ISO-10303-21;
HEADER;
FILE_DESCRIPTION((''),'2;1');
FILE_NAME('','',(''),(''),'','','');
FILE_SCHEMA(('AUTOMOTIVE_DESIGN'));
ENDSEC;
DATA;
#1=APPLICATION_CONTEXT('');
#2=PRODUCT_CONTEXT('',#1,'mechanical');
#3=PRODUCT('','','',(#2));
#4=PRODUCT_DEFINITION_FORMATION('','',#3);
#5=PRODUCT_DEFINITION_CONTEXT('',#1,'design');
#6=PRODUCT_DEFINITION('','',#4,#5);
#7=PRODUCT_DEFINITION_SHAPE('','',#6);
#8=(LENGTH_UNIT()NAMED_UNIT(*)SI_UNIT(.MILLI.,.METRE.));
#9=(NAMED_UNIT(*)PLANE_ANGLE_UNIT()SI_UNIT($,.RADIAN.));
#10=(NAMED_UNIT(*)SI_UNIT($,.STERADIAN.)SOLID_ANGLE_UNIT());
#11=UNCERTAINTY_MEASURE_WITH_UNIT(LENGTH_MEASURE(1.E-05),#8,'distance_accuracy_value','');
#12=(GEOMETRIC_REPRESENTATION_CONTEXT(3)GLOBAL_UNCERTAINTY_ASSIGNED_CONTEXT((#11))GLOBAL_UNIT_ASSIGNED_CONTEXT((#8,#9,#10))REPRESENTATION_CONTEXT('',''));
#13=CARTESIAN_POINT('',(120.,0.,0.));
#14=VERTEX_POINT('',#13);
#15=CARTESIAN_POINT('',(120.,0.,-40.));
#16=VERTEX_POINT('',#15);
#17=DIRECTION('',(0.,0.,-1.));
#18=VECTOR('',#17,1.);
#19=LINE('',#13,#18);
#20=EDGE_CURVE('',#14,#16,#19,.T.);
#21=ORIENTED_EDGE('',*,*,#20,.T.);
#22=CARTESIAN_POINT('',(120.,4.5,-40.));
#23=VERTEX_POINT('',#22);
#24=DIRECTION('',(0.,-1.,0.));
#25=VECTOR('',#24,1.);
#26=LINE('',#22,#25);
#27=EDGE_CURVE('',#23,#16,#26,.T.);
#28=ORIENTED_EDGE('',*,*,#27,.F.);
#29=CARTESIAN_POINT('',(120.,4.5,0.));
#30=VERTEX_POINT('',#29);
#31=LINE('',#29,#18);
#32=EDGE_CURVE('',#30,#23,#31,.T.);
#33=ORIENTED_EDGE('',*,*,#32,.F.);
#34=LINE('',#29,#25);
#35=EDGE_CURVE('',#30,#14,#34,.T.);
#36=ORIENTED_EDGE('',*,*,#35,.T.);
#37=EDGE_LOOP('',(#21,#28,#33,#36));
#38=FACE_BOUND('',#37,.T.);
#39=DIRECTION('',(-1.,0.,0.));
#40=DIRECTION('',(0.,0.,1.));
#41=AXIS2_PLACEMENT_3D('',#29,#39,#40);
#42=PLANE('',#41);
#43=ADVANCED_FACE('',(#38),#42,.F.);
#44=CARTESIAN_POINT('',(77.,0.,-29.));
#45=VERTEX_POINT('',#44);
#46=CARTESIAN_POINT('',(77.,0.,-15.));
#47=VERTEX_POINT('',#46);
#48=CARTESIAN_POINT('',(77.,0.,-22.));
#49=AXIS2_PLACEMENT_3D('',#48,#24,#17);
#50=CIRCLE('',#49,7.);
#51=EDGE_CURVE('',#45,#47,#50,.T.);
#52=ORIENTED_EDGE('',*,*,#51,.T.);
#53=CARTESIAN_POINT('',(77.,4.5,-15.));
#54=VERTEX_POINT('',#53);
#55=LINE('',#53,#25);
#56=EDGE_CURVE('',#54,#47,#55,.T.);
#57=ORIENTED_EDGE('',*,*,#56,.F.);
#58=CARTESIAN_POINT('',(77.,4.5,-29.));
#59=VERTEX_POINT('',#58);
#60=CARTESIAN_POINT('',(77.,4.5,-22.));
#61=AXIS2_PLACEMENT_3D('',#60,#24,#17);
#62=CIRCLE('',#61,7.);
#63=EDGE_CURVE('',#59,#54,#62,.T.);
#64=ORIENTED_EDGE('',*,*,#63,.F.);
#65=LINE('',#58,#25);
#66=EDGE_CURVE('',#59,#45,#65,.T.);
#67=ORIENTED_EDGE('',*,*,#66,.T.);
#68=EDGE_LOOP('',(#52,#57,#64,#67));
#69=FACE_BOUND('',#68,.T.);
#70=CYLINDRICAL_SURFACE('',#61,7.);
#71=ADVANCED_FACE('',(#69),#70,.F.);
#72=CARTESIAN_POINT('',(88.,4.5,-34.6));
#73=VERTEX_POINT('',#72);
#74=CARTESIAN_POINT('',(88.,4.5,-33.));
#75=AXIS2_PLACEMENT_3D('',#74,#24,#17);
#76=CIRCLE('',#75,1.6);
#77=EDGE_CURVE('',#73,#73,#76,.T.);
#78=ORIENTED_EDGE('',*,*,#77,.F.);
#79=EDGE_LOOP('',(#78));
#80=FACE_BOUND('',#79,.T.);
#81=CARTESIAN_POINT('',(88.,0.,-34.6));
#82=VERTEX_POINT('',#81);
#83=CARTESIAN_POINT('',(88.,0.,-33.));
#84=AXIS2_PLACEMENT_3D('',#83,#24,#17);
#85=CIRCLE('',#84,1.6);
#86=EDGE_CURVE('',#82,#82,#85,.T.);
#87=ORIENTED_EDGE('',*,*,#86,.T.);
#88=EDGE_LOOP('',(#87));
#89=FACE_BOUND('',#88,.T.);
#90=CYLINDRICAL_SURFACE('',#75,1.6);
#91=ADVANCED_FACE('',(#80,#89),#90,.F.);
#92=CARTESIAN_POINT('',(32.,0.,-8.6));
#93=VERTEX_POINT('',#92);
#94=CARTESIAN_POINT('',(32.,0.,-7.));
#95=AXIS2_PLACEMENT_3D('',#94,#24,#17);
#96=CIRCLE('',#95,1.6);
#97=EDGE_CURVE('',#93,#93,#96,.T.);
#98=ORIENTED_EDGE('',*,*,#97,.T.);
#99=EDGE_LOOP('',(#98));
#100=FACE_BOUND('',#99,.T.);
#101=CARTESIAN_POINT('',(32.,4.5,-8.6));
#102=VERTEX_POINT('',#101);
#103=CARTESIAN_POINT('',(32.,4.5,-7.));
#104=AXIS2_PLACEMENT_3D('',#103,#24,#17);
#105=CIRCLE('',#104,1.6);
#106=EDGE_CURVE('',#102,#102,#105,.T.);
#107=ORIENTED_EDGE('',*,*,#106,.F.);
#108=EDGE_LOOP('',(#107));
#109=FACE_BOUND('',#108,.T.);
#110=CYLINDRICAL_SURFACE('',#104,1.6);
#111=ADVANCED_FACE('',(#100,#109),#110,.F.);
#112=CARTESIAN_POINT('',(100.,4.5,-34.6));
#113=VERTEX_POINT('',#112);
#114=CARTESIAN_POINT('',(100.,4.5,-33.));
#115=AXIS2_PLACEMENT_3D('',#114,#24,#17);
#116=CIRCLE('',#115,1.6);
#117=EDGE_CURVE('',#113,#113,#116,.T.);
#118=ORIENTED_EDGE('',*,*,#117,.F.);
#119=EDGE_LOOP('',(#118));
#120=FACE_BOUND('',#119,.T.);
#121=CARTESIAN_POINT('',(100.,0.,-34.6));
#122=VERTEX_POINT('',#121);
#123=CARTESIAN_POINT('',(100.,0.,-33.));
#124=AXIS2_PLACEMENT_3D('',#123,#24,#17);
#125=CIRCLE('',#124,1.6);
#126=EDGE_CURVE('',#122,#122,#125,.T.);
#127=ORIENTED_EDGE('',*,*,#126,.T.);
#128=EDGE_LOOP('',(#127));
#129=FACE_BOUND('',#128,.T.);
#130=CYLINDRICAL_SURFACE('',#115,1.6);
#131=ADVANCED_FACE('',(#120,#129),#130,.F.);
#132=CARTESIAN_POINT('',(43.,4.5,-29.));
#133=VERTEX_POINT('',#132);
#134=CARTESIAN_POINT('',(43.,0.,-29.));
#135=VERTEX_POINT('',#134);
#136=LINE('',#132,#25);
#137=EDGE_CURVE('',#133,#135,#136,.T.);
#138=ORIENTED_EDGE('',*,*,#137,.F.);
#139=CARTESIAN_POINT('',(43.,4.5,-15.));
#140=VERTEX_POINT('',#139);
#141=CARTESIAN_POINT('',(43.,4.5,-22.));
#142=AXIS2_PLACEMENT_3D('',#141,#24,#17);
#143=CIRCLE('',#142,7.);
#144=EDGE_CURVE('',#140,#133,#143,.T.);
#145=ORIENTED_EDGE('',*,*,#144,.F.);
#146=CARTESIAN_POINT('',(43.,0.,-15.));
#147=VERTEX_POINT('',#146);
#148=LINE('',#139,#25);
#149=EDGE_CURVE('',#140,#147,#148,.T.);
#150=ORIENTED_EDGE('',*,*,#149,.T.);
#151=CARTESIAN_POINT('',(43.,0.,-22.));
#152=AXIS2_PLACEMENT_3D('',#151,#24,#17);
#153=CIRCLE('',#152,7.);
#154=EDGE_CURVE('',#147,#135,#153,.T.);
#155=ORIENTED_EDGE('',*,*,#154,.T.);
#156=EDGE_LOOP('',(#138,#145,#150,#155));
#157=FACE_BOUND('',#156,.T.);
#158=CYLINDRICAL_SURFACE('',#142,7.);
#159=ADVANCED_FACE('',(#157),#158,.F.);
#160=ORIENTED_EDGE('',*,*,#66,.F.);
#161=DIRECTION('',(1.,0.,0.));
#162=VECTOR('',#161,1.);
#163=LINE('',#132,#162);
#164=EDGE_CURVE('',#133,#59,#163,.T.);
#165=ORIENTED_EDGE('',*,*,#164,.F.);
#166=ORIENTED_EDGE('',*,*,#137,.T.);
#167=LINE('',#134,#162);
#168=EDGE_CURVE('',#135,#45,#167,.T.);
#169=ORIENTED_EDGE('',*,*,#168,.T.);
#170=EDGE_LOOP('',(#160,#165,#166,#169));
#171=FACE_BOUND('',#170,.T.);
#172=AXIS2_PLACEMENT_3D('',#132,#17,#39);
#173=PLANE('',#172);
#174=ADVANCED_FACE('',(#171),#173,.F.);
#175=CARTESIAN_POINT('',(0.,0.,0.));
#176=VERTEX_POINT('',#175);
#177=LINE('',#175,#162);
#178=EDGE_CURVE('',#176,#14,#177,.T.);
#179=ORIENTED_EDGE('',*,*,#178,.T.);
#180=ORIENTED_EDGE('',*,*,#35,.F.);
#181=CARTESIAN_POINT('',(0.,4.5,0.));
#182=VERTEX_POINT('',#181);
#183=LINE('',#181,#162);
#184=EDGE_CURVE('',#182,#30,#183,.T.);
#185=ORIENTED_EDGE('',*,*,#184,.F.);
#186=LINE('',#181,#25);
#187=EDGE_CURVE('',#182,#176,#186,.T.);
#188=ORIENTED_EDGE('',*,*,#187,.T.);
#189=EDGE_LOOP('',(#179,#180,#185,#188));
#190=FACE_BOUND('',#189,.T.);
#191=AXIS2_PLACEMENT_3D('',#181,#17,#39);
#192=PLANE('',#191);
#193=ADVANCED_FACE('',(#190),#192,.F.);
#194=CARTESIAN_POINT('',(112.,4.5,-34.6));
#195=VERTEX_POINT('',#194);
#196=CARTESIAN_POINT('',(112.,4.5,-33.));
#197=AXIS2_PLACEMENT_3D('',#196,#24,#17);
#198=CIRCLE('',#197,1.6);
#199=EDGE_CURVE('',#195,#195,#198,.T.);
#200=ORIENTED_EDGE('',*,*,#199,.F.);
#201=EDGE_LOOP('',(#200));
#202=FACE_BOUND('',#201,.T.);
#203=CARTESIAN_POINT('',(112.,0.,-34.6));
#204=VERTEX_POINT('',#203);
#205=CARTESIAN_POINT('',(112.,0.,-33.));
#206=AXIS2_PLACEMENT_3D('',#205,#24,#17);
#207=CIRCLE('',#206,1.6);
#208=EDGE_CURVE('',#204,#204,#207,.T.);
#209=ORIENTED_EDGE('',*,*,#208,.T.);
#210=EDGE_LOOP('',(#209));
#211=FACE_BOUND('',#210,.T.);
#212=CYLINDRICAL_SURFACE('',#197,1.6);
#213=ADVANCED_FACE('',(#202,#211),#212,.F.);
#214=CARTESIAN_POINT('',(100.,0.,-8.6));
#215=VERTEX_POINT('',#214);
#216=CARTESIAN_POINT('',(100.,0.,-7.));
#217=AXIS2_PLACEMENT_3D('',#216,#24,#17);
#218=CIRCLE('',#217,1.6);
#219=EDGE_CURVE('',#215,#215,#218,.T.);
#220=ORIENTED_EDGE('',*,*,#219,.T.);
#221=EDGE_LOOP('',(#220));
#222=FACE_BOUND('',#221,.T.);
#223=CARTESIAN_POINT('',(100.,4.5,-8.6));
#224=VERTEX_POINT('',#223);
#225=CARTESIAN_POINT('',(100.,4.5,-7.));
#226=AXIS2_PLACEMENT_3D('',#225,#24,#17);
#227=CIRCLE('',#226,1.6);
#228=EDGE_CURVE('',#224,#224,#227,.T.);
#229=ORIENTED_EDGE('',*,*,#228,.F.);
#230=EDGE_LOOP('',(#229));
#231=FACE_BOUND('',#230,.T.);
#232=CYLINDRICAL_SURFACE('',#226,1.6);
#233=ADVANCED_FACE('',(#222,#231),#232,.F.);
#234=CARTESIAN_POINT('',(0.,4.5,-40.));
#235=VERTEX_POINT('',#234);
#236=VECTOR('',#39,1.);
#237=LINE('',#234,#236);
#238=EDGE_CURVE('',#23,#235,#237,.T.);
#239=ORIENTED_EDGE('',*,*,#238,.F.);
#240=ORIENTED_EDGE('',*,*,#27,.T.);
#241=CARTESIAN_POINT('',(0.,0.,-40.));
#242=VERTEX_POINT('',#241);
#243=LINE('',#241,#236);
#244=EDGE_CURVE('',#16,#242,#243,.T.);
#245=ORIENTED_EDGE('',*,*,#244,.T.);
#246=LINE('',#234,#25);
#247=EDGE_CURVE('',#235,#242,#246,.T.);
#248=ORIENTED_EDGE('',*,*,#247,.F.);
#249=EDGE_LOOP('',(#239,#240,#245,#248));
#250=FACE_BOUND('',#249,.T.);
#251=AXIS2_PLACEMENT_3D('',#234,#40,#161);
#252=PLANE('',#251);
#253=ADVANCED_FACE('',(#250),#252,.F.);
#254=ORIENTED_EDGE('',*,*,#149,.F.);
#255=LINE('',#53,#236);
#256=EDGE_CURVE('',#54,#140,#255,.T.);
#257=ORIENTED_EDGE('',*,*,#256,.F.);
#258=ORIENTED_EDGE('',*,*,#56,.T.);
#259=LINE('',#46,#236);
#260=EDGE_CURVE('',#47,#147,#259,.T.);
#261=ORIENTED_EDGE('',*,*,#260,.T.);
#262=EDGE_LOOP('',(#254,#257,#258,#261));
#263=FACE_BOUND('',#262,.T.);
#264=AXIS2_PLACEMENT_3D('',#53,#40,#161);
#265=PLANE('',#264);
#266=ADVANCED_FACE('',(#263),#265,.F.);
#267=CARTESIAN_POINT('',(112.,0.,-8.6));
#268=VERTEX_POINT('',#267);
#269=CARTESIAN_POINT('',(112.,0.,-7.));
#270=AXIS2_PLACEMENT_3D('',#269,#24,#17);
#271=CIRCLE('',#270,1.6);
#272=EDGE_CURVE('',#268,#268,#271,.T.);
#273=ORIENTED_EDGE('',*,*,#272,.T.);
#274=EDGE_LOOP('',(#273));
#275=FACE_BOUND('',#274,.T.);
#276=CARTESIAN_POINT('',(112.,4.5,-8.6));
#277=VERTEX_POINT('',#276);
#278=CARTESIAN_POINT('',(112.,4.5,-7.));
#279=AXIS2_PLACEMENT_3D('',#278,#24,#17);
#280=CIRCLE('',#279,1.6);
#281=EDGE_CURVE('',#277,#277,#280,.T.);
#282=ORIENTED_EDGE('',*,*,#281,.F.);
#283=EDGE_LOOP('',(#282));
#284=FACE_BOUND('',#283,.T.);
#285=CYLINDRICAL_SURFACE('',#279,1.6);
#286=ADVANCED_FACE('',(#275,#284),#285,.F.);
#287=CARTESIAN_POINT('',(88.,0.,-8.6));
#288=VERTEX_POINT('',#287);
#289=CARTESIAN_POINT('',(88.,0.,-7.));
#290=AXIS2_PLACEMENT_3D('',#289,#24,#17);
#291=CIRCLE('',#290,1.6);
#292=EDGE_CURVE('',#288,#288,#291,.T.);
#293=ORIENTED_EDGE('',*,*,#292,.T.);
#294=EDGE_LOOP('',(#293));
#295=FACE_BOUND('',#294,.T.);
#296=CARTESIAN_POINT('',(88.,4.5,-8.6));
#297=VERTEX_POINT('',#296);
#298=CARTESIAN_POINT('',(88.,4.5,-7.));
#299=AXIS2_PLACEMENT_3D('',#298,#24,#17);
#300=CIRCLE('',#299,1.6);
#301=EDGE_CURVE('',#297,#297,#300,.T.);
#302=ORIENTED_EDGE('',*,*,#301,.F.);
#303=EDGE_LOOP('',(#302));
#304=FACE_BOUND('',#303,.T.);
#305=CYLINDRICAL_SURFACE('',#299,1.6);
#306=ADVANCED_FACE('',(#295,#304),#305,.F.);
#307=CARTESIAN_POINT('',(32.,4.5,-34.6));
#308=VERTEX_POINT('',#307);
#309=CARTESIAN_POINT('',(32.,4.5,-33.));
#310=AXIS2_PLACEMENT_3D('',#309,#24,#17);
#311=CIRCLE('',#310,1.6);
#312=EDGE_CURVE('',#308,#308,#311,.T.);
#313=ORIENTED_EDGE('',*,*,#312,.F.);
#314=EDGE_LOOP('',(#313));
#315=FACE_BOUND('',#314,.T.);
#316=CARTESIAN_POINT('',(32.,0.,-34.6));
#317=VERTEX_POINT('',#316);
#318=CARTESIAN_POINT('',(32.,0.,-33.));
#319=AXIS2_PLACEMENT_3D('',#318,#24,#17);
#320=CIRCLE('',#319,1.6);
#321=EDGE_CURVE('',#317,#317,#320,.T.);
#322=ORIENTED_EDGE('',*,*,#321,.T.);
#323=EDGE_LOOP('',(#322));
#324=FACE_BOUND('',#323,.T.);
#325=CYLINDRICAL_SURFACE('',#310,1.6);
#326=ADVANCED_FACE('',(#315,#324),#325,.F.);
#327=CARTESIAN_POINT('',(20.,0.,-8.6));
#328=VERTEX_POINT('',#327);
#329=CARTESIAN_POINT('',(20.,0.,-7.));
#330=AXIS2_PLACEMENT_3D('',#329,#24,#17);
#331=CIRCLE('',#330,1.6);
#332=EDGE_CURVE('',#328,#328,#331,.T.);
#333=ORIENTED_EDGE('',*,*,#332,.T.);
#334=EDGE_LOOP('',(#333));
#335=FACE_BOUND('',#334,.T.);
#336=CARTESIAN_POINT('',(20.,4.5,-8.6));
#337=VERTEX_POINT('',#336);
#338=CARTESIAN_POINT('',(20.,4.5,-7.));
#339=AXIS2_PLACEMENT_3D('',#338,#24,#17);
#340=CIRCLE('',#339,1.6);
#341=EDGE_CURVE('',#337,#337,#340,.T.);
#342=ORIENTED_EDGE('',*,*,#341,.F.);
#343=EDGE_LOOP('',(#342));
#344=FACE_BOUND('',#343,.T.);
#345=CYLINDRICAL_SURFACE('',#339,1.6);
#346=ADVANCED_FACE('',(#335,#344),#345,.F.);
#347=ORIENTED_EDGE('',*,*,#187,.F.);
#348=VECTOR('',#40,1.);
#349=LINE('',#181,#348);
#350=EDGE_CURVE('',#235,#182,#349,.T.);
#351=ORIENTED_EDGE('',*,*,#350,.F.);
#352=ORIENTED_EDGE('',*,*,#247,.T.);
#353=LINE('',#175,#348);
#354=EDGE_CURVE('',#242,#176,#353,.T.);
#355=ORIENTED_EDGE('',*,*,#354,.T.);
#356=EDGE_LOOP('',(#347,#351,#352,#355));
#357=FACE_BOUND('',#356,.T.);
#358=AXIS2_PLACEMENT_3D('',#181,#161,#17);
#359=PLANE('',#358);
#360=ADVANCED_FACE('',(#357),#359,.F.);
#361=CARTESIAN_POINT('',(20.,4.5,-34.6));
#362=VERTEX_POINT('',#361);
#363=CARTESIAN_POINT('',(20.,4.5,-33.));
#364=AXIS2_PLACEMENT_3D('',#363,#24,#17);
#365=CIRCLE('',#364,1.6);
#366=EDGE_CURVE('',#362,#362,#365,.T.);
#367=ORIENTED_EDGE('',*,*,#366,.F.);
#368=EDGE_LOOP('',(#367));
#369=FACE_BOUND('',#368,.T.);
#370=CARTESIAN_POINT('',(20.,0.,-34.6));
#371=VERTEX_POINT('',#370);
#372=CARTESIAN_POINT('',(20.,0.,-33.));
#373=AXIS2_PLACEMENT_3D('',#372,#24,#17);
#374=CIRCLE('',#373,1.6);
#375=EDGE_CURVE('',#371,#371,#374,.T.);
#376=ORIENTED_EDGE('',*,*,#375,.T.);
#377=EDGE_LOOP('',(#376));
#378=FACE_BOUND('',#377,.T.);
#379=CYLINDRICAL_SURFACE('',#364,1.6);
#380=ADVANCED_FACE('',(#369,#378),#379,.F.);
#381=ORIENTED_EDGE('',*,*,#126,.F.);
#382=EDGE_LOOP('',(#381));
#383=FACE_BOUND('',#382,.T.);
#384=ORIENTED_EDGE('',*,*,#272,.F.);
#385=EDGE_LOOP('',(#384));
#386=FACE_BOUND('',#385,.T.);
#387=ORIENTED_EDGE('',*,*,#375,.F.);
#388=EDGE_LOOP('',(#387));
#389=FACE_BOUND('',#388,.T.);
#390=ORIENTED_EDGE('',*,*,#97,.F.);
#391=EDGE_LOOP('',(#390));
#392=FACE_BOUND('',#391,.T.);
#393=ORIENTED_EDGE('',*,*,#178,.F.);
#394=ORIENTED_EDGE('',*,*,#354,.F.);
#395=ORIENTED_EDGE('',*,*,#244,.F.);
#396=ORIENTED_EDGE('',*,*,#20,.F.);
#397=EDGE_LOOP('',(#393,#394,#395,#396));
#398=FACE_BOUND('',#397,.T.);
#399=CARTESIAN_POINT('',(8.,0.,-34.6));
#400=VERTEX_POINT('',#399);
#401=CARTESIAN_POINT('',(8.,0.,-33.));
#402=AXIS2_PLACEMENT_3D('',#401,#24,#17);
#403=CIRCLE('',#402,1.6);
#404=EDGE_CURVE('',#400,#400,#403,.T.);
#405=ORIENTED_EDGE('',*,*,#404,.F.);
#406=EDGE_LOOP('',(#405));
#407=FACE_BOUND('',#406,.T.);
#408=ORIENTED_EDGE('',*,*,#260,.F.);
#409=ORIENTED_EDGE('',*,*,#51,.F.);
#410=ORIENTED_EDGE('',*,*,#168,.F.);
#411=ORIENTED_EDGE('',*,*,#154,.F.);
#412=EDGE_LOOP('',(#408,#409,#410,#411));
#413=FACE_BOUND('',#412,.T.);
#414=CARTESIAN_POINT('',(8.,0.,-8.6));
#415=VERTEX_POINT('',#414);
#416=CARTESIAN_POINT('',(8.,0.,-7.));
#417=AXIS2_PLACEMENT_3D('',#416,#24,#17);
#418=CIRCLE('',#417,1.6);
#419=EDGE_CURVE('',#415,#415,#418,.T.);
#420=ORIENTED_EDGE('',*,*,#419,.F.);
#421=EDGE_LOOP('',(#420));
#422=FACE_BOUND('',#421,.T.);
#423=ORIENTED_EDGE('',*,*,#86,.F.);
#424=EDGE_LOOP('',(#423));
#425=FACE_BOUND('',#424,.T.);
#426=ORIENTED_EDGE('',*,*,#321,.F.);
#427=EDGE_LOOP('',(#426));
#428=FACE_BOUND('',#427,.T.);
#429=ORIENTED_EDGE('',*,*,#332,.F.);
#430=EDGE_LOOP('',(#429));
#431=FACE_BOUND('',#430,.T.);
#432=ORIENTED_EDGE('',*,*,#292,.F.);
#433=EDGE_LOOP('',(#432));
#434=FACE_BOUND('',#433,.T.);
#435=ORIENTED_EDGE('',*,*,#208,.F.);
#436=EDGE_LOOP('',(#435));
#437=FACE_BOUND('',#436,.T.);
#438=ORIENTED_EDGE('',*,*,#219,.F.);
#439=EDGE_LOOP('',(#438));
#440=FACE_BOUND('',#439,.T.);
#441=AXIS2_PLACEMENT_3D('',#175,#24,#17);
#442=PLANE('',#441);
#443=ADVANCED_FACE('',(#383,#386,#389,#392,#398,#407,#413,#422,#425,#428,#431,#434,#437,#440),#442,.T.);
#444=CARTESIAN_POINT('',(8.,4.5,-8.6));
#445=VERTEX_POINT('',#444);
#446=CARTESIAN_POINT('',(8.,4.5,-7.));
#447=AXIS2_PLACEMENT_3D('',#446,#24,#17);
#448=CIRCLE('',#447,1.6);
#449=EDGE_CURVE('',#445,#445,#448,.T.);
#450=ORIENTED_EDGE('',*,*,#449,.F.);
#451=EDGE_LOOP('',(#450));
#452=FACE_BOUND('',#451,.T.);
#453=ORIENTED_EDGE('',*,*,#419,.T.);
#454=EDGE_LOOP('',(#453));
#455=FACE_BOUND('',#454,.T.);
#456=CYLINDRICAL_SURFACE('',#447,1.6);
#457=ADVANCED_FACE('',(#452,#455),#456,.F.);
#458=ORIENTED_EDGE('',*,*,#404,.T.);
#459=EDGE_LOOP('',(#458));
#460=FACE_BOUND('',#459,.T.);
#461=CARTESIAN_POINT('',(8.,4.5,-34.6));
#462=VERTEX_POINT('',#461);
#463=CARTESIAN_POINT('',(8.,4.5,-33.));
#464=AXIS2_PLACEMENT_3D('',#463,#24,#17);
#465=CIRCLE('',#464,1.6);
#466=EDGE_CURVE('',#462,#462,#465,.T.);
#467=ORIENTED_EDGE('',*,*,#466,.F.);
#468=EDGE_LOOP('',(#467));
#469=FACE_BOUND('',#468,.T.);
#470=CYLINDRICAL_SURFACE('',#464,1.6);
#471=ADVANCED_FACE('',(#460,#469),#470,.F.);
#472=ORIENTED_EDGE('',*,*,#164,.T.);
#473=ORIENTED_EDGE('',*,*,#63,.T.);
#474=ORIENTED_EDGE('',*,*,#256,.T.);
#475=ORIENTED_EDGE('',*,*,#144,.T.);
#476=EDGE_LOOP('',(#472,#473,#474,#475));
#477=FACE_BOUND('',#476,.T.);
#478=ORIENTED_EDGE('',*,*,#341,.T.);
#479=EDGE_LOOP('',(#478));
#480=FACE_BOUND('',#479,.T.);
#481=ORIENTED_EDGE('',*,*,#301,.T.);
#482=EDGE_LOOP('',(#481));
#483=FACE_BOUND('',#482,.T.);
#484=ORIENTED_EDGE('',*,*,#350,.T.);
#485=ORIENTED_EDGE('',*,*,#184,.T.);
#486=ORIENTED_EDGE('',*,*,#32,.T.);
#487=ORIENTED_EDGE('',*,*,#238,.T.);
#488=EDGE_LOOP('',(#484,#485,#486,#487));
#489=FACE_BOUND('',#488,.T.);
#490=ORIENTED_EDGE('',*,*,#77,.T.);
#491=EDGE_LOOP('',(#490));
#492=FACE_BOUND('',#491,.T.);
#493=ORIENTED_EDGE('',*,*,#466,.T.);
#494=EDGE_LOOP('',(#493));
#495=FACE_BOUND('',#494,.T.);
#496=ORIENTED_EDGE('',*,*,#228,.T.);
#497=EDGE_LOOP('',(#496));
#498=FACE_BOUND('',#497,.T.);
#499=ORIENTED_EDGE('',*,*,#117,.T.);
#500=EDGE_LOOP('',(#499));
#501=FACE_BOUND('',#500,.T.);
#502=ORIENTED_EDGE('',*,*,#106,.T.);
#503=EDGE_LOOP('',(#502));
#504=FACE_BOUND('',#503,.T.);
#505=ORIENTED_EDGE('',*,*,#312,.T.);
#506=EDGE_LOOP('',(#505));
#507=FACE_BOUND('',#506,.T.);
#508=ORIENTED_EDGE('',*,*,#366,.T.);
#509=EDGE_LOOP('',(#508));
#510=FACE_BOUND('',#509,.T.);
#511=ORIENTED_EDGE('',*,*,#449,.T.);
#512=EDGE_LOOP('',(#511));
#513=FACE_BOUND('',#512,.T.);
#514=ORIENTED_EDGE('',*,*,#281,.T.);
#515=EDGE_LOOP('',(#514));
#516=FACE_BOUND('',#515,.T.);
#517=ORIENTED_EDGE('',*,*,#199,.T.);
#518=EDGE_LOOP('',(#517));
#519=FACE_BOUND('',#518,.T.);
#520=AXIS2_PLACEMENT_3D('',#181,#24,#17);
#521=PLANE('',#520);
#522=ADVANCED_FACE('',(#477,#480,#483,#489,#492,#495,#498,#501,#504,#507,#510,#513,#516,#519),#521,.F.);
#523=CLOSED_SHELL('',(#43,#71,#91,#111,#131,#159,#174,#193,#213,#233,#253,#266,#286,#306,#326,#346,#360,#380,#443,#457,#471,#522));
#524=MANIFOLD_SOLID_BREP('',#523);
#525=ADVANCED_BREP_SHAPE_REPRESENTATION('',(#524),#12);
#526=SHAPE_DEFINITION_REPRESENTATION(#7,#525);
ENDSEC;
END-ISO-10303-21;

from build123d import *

# Parameters (mm, degrees)
SKETCH_1_W          = 120
SKETCH_1_H          = 40
EXTRUDE_1_DEPTH     = 4.5
SKETCH_2_R          = 1.6
CUT_EXTRUDE_1_DEPTH = 127.571126249


with BuildPart() as part:
    # 草图1 → 凸台-拉伸1 (new body)
    with BuildSketch(Plane(origin=(0, 0, 0), x_dir=(1, 0, 0), z_dir=(0, 1, 0))):
        with Locations((60, 20)):
            Rectangle(SKETCH_1_W, SKETCH_1_H)
    extrude(amount=EXTRUDE_1_DEPTH)

    # 草图2 → 切除-拉伸1 (cut, through all)
    with BuildSketch(Plane.XZ):
        with Locations(Location((8, -7, 0), (0, 0, 270))):
            Circle(SKETCH_2_R)
        with Locations(Location((32, -33, 0), (0, 0, 270))):
            Circle(SKETCH_2_R)
        with Locations(Location((32, -7, 0), (0, 0, 270))):
            Circle(SKETCH_2_R)
        with Locations(Location((100, -33, 0), (0, 0, 270))):
            Circle(SKETCH_2_R)
        with Locations(Location((20, -33, 0), (0, 0, 270))):
            Circle(SKETCH_2_R)
        with Locations(Location((100, -7, 0), (0, 0, 270))):
            Circle(SKETCH_2_R)
        with Locations(Location((20, -7, 0), (0, 0, 270))):
            Circle(SKETCH_2_R)
        with Locations(Location((112, -33, 0), (0, 0, 270))):
            Circle(SKETCH_2_R)
        with Locations(Location((112, -7, 0), (0, 0, 270))):
            Circle(SKETCH_2_R)
        with Locations(Location((8, -33, 0), (0, 0, 270))):
            Circle(SKETCH_2_R)
        with Locations(Location((88, -33, 0), (0, 0, 270))):
            Circle(SKETCH_2_R)
        with Locations(Location((88, -7, 0), (0, 0, 270))):
            Circle(SKETCH_2_R)
        with BuildLine():
            Line((77, -15), (43, -15))
            ThreePointArc((43, -15), (36, -22), (43, -29))
            Line((43, -29), (77, -29))
            ThreePointArc((77, -29), (84, -22), (77, -15))
        make_face()
    extrude(amount=-CUT_EXTRUDE_1_DEPTH, mode=Mode.SUBTRACT)


solid = part.part
